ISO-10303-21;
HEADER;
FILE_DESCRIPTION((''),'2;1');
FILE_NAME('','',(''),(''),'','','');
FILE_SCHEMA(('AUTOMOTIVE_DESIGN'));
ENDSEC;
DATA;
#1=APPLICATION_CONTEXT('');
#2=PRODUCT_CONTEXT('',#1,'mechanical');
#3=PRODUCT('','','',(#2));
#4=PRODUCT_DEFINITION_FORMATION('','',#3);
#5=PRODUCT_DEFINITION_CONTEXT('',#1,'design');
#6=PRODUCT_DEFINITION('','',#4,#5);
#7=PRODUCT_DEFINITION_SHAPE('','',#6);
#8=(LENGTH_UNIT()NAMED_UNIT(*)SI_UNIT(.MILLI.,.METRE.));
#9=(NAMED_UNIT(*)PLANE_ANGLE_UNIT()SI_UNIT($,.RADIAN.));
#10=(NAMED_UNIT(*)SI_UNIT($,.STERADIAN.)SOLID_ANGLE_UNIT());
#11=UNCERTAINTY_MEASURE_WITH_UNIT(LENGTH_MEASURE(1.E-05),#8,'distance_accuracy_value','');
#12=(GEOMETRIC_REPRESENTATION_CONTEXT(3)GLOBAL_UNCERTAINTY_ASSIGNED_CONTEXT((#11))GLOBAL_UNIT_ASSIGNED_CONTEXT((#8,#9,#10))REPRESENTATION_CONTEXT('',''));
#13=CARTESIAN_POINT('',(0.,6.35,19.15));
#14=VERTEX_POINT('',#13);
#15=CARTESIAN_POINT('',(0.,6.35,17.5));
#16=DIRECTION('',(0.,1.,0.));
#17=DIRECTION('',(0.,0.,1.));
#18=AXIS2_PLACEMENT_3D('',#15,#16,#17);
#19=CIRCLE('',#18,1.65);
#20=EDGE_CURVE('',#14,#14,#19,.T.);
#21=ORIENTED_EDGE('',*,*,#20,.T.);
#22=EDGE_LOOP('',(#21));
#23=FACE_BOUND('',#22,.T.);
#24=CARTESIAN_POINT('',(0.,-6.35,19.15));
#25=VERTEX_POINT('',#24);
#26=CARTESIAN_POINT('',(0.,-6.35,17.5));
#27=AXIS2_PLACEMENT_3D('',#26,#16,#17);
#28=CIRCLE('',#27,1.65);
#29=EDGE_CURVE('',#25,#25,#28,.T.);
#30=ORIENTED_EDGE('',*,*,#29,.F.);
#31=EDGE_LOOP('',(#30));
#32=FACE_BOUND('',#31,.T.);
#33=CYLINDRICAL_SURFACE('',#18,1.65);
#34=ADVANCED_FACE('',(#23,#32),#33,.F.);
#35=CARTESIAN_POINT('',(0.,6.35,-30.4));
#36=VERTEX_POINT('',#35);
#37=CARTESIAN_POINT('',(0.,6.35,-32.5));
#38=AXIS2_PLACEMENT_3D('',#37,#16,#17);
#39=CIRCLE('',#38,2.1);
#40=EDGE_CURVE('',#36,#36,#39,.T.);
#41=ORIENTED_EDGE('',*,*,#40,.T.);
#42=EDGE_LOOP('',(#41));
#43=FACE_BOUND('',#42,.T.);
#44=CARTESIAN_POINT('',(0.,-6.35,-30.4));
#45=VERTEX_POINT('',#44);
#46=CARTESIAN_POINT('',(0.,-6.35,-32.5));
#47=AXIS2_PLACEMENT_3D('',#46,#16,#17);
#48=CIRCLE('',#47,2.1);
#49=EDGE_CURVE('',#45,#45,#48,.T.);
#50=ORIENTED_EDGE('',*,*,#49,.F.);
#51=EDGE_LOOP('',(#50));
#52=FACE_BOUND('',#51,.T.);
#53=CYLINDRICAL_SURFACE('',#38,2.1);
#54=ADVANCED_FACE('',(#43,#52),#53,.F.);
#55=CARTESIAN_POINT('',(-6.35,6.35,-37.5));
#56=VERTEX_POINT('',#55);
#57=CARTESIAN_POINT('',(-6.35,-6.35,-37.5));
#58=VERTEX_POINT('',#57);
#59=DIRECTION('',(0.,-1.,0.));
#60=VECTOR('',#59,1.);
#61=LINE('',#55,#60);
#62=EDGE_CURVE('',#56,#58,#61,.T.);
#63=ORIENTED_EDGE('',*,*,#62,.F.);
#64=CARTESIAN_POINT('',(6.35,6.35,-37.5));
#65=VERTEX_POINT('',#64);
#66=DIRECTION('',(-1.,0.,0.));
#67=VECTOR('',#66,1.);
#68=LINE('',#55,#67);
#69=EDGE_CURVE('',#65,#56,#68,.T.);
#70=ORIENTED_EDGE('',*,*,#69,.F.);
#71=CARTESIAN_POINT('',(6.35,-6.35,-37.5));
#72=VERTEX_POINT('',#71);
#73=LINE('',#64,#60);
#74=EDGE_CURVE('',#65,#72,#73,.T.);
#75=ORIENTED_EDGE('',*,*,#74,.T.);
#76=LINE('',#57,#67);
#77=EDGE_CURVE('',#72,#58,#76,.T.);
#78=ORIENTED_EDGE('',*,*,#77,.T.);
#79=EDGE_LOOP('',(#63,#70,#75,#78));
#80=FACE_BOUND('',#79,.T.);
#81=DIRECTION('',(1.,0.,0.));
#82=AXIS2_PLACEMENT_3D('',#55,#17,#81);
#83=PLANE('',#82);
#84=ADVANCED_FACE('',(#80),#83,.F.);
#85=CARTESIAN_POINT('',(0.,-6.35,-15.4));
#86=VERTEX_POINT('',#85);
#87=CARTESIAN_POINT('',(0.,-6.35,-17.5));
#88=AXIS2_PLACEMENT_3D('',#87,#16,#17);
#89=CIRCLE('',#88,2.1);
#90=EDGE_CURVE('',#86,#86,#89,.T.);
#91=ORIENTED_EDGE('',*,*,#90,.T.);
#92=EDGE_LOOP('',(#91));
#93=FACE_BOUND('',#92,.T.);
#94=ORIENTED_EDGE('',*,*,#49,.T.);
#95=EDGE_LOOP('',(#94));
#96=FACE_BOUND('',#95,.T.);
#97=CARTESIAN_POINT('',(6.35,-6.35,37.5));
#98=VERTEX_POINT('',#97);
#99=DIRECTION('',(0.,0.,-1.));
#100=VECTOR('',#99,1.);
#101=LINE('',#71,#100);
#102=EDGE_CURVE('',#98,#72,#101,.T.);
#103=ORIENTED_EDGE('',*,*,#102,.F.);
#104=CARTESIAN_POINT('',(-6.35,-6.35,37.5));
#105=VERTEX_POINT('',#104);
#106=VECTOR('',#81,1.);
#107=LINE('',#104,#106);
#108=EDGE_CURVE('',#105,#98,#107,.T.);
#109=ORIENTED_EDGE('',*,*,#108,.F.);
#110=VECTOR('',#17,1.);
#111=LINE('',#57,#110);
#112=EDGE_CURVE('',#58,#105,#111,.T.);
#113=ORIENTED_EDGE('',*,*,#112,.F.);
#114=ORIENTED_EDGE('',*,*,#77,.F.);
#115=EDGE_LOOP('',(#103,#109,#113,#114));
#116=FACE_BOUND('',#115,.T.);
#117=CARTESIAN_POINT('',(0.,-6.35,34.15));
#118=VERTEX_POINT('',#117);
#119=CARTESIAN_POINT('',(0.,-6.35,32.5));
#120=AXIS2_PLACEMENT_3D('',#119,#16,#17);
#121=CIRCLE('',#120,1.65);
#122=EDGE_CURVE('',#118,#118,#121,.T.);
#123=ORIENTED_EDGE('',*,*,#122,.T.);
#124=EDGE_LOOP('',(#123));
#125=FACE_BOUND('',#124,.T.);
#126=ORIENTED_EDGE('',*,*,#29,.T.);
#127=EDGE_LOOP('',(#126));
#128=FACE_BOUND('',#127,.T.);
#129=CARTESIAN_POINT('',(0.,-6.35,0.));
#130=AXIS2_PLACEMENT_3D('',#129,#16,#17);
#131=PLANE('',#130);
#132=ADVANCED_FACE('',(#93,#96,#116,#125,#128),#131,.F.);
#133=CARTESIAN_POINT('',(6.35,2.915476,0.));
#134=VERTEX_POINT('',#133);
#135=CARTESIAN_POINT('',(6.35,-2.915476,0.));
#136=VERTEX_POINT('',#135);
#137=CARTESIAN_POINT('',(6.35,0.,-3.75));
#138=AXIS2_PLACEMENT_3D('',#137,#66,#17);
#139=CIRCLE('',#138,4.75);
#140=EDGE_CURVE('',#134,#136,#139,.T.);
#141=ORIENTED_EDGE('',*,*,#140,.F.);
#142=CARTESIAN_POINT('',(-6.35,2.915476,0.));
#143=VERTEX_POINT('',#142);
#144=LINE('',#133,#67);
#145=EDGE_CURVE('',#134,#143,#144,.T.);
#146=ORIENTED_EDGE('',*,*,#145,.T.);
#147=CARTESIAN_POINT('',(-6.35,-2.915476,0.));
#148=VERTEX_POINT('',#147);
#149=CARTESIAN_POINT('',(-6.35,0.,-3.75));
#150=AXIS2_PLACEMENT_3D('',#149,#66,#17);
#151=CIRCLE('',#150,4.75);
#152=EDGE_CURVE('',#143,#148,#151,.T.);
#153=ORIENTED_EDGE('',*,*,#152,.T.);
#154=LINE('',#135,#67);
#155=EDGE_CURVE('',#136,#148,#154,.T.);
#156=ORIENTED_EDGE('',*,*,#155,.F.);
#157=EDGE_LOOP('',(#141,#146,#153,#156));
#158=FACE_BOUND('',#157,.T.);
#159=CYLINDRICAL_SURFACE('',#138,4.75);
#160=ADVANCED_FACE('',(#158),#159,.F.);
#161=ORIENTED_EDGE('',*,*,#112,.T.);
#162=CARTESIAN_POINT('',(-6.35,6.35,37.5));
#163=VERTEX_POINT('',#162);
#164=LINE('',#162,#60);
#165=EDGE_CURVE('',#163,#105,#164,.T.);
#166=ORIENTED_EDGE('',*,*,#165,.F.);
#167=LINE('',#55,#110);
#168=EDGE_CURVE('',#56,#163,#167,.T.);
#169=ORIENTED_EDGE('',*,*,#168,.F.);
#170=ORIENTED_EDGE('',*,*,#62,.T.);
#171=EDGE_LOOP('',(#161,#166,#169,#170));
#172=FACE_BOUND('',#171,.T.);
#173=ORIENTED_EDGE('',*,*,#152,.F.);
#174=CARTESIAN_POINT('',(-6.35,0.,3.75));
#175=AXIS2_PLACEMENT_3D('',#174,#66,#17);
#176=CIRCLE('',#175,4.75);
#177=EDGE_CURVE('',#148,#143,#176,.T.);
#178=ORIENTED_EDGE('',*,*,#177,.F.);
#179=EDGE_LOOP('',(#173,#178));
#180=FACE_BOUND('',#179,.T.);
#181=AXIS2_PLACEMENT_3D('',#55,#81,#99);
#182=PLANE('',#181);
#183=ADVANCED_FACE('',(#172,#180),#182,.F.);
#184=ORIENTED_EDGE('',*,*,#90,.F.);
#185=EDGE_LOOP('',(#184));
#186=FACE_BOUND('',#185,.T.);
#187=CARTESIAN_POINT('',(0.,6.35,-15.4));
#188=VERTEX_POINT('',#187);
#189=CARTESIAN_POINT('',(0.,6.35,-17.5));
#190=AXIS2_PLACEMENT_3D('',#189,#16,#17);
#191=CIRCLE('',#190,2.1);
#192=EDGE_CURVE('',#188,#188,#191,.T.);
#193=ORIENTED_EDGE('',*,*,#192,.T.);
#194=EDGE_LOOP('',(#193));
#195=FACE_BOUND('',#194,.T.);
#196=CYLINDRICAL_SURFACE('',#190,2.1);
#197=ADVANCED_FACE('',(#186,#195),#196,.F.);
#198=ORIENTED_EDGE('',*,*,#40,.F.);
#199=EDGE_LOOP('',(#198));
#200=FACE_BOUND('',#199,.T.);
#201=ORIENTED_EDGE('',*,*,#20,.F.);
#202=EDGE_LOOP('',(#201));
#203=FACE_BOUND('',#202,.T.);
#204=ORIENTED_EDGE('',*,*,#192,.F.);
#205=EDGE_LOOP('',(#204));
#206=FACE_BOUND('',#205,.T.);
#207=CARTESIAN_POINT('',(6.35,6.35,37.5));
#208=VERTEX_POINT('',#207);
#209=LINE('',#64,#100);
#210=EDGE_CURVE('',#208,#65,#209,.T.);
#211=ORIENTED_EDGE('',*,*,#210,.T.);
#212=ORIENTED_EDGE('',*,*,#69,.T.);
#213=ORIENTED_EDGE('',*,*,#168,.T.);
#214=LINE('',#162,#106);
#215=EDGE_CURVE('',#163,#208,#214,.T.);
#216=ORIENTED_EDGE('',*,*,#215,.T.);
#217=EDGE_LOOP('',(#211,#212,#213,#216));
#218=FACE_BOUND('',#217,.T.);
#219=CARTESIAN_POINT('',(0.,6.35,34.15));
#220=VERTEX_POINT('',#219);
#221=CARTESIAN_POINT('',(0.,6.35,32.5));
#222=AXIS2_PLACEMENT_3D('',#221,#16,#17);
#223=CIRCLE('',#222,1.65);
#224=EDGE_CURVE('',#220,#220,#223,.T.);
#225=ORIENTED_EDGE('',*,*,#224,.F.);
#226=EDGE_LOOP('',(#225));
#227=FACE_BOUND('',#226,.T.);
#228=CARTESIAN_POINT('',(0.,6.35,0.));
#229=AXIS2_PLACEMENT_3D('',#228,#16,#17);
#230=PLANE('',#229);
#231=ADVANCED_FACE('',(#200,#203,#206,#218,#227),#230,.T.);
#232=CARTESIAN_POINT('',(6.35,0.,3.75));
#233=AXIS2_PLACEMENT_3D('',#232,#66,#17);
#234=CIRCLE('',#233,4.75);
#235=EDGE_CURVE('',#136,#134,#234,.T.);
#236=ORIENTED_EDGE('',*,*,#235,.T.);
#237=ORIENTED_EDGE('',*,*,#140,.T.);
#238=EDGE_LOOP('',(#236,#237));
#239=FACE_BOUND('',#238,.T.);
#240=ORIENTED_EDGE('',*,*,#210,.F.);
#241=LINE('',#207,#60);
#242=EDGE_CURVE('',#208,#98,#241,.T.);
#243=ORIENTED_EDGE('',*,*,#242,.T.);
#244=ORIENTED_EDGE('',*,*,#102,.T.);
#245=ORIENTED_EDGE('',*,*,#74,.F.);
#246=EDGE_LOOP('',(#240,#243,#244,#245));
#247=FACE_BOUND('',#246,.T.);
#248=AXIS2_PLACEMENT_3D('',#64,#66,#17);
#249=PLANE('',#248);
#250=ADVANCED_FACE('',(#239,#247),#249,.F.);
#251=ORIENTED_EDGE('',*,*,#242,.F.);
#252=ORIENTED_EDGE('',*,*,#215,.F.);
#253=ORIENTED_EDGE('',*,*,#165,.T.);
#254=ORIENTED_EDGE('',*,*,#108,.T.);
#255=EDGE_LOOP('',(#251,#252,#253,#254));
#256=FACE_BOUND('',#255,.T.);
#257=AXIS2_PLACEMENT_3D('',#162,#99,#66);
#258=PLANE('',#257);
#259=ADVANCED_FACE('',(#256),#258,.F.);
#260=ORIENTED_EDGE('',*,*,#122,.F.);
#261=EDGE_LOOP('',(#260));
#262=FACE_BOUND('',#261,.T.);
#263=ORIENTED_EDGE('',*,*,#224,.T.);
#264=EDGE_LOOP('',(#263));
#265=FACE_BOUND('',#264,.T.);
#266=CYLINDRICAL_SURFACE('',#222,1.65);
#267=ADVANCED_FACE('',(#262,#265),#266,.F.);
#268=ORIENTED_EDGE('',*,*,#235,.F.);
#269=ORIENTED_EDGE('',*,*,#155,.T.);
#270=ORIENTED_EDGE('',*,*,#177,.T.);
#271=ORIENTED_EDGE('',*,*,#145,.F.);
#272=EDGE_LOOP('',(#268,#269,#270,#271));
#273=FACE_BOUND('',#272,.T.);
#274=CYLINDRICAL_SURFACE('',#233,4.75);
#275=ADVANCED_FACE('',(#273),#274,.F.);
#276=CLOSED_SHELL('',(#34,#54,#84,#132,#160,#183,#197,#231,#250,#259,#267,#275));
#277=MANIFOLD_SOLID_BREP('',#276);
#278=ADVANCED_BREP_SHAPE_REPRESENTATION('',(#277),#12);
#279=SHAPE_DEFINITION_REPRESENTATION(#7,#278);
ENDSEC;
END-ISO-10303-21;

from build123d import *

# Parameters (mm, degrees)
SKETCH1_W                       = 12.7
SKETCH1_H                       = 75
BOSS_EXTRUDE1_DEPTH             = 6.35
TAP_DRILL_FOR_M4X0_7_TAP1_D     = 3.3
SKETCH7_R                       = 4.75
CUT_EXTRUDE1_DEPTH              = 41.098160806
TAP_DRILL_FOR_M5X0_8_TAP1_D     = 4.2
TAP_DRILL_FOR_M5X0_8_TAP1_DEPTH = 15
TAP_DRILL_FOR_M5X0_8_TAP1_TIP   = 1.2618073


with BuildPart() as part:
    # Sketch1 → Boss-Extrude1 (new, symmetric)
    with BuildSketch(Plane(origin=(0, 0, 0), x_dir=(1, 0, 0), z_dir=(0, 1, 0))):
        Rectangle(SKETCH1_W, SKETCH1_H)
    extrude(amount=BOSS_EXTRUDE1_DEPTH, both=True)

    # Tap Drill for M4x0.7 Tap1 (through all)
    with Locations(Plane(origin=(0, 6.35, 0), x_dir=(1, 0, 0), z_dir=(0, 1, 0))):
        with Locations((0, -32.5), (0, -17.5)):
            Hole(TAP_DRILL_FOR_M4X0_7_TAP1_D / 2)

    # Sketch7 → Cut-Extrude1 (cut, through all)
    with BuildSketch(Plane.ZY.offset(6.35)):
        with Locations((-3.75, 0)):
            Circle(SKETCH7_R)
        with Locations((3.75, 0)):
            Circle(SKETCH7_R)
    extrude(amount=-CUT_EXTRUDE1_DEPTH, mode=Mode.SUBTRACT)

    # Tap Drill for M5x0.8 Tap1
    with Locations(Plane(origin=(0, 6.35, 0), x_dir=(1, 0, 0), z_dir=(0, 1, 0))):
        with Locations((0, 17.5), (0, 32.5)):
            Hole(TAP_DRILL_FOR_M5X0_8_TAP1_D / 2, depth=TAP_DRILL_FOR_M5X0_8_TAP1_DEPTH)
            with Locations((0, 0, -(TAP_DRILL_FOR_M5X0_8_TAP1_DEPTH + TAP_DRILL_FOR_M5X0_8_TAP1_TIP / 2))):  # 118° drill point
                Cone(0, TAP_DRILL_FOR_M5X0_8_TAP1_D / 2, TAP_DRILL_FOR_M5X0_8_TAP1_TIP, mode=Mode.SUBTRACT)


solid = part.part
